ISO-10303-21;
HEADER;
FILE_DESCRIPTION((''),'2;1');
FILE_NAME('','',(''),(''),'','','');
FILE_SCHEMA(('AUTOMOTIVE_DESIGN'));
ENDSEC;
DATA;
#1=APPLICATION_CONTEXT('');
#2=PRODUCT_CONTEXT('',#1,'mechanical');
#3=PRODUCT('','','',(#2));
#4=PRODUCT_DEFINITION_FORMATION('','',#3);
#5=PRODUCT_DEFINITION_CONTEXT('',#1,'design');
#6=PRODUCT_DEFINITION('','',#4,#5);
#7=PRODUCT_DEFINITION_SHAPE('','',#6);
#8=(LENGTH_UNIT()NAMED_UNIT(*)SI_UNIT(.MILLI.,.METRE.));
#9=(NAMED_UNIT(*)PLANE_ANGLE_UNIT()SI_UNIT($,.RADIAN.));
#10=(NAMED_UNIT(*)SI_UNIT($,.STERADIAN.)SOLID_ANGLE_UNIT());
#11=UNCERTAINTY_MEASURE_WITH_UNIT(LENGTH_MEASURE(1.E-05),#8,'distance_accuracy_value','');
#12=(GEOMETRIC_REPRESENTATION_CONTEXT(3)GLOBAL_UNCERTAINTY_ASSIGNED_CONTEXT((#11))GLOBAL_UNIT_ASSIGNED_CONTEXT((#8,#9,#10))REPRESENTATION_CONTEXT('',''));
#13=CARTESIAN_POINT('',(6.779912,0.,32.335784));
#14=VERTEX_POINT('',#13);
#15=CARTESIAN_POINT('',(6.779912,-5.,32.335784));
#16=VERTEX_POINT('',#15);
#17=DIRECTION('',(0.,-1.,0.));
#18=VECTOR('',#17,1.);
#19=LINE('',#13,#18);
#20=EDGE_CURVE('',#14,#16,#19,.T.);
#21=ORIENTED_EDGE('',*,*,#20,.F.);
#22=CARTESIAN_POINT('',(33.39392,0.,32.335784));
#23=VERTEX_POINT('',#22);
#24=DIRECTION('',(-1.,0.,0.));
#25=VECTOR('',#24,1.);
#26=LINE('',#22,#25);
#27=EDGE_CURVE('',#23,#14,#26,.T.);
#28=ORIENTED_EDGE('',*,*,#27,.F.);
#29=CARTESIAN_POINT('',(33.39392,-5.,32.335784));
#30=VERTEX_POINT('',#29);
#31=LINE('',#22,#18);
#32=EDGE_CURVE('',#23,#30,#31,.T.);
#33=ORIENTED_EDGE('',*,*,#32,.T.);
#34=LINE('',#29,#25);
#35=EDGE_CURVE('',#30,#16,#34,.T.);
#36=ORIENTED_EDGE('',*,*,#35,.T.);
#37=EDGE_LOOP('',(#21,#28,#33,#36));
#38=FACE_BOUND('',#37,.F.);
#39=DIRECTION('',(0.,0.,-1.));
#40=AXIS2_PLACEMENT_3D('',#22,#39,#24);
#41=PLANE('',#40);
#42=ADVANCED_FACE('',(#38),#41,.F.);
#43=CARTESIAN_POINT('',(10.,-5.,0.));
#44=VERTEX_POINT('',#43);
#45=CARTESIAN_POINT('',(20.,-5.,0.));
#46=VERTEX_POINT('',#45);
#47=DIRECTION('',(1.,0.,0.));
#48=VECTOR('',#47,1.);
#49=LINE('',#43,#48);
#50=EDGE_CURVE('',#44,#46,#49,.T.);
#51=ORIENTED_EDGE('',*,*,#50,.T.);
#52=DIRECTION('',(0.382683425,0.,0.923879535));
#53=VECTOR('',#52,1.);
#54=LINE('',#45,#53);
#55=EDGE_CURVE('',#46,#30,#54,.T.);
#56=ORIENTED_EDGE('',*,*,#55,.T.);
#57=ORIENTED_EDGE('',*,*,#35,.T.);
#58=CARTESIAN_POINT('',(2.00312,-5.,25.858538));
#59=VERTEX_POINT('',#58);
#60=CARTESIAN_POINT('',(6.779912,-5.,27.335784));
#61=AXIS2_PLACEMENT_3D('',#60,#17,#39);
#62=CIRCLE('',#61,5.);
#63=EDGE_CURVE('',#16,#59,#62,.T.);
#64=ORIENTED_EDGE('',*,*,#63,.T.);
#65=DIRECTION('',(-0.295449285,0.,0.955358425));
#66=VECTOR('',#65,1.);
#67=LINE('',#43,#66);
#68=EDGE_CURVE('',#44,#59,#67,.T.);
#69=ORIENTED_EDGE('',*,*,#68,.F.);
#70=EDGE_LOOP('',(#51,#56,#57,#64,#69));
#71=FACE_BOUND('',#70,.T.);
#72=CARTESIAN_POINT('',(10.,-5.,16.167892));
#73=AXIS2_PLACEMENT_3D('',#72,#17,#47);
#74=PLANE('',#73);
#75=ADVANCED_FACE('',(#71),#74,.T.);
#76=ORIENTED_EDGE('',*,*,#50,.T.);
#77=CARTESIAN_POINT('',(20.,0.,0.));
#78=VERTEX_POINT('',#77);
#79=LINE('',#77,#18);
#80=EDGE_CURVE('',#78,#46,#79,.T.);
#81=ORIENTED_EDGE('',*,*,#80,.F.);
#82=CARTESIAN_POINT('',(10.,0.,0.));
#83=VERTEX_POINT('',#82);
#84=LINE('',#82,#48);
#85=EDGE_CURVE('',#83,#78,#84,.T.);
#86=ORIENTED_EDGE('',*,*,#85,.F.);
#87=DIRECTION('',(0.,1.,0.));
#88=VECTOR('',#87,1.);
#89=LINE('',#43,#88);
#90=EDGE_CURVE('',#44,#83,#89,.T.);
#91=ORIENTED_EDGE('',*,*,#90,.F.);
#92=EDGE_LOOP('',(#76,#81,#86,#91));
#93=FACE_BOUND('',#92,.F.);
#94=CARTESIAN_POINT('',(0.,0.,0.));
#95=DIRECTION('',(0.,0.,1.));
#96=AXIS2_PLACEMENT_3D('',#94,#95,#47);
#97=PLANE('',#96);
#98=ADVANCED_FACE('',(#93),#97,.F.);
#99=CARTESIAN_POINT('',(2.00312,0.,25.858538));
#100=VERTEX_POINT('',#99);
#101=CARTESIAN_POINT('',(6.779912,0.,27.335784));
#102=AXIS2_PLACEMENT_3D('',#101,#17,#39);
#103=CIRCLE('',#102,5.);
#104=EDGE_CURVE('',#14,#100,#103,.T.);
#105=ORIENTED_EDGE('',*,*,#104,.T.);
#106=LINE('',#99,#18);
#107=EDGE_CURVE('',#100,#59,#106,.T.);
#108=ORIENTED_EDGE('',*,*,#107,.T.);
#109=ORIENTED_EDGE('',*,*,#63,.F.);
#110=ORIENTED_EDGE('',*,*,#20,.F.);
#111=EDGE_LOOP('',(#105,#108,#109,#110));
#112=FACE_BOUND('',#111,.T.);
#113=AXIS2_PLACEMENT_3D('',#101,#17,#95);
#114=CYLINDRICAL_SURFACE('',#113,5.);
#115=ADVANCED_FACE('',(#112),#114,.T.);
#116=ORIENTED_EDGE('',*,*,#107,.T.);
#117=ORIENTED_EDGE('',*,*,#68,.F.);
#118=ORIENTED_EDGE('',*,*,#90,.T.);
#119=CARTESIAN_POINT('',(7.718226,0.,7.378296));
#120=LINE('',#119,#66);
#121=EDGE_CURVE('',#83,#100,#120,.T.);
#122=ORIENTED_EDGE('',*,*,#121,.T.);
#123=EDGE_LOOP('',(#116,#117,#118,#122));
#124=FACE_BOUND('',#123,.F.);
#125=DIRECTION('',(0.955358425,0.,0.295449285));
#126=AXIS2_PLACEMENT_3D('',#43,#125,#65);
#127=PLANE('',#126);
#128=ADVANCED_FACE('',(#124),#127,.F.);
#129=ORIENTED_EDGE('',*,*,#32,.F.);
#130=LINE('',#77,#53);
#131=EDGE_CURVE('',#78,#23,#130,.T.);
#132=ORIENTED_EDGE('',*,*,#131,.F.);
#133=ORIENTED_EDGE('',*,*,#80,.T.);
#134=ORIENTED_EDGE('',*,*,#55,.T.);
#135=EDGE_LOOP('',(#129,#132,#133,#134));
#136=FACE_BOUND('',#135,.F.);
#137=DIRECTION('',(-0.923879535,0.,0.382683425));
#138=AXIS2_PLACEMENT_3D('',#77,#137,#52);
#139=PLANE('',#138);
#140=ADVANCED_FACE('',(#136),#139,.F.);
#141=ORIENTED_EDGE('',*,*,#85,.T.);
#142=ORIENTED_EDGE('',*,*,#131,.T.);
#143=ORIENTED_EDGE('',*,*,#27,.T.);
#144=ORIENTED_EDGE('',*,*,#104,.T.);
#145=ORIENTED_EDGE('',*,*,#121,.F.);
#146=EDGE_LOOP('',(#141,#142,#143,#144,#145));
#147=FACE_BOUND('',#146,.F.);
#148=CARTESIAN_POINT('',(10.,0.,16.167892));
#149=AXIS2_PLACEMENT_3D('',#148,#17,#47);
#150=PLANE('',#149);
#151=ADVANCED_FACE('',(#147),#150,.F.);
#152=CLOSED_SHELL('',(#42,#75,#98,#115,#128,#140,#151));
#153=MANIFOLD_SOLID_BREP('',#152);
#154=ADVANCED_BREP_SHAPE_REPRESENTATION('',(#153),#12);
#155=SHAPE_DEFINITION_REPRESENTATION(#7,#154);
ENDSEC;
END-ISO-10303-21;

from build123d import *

# Parameters (mm, degrees)
F0_W     = 20
F0_H     = 32.335784
F1_DEPTH = 5
F3_DEPTH = 25
F4_R     = 5


with BuildPart() as f1:
    # F0 (on Front) → F1 (new body)
    with BuildSketch(Plane.XZ):
        with Locations((10, 16.167892)):
            Rectangle(F0_W, F0_H)
        Polygon((20, 32.335784), (20, 0), (33.39392, 32.335784), align=None)
    extrude(amount=F1_DEPTH)

    # F2 (on face) → F3 (cut)
    with BuildSketch(Plane.XZ.offset(5)):
        Polygon((10, 0), (0, 32.335784), (0, 0), align=None)
    extrude(amount=-F3_DEPTH, mode=Mode.SUBTRACT)

    # F4
    f4_edges = [f1.edges().sort_by_distance(p)[0] for p in [
        (0, -2.5, 32.335784),
    ]]
    fillet(f4_edges, radius=F4_R)


solid = f1.part
